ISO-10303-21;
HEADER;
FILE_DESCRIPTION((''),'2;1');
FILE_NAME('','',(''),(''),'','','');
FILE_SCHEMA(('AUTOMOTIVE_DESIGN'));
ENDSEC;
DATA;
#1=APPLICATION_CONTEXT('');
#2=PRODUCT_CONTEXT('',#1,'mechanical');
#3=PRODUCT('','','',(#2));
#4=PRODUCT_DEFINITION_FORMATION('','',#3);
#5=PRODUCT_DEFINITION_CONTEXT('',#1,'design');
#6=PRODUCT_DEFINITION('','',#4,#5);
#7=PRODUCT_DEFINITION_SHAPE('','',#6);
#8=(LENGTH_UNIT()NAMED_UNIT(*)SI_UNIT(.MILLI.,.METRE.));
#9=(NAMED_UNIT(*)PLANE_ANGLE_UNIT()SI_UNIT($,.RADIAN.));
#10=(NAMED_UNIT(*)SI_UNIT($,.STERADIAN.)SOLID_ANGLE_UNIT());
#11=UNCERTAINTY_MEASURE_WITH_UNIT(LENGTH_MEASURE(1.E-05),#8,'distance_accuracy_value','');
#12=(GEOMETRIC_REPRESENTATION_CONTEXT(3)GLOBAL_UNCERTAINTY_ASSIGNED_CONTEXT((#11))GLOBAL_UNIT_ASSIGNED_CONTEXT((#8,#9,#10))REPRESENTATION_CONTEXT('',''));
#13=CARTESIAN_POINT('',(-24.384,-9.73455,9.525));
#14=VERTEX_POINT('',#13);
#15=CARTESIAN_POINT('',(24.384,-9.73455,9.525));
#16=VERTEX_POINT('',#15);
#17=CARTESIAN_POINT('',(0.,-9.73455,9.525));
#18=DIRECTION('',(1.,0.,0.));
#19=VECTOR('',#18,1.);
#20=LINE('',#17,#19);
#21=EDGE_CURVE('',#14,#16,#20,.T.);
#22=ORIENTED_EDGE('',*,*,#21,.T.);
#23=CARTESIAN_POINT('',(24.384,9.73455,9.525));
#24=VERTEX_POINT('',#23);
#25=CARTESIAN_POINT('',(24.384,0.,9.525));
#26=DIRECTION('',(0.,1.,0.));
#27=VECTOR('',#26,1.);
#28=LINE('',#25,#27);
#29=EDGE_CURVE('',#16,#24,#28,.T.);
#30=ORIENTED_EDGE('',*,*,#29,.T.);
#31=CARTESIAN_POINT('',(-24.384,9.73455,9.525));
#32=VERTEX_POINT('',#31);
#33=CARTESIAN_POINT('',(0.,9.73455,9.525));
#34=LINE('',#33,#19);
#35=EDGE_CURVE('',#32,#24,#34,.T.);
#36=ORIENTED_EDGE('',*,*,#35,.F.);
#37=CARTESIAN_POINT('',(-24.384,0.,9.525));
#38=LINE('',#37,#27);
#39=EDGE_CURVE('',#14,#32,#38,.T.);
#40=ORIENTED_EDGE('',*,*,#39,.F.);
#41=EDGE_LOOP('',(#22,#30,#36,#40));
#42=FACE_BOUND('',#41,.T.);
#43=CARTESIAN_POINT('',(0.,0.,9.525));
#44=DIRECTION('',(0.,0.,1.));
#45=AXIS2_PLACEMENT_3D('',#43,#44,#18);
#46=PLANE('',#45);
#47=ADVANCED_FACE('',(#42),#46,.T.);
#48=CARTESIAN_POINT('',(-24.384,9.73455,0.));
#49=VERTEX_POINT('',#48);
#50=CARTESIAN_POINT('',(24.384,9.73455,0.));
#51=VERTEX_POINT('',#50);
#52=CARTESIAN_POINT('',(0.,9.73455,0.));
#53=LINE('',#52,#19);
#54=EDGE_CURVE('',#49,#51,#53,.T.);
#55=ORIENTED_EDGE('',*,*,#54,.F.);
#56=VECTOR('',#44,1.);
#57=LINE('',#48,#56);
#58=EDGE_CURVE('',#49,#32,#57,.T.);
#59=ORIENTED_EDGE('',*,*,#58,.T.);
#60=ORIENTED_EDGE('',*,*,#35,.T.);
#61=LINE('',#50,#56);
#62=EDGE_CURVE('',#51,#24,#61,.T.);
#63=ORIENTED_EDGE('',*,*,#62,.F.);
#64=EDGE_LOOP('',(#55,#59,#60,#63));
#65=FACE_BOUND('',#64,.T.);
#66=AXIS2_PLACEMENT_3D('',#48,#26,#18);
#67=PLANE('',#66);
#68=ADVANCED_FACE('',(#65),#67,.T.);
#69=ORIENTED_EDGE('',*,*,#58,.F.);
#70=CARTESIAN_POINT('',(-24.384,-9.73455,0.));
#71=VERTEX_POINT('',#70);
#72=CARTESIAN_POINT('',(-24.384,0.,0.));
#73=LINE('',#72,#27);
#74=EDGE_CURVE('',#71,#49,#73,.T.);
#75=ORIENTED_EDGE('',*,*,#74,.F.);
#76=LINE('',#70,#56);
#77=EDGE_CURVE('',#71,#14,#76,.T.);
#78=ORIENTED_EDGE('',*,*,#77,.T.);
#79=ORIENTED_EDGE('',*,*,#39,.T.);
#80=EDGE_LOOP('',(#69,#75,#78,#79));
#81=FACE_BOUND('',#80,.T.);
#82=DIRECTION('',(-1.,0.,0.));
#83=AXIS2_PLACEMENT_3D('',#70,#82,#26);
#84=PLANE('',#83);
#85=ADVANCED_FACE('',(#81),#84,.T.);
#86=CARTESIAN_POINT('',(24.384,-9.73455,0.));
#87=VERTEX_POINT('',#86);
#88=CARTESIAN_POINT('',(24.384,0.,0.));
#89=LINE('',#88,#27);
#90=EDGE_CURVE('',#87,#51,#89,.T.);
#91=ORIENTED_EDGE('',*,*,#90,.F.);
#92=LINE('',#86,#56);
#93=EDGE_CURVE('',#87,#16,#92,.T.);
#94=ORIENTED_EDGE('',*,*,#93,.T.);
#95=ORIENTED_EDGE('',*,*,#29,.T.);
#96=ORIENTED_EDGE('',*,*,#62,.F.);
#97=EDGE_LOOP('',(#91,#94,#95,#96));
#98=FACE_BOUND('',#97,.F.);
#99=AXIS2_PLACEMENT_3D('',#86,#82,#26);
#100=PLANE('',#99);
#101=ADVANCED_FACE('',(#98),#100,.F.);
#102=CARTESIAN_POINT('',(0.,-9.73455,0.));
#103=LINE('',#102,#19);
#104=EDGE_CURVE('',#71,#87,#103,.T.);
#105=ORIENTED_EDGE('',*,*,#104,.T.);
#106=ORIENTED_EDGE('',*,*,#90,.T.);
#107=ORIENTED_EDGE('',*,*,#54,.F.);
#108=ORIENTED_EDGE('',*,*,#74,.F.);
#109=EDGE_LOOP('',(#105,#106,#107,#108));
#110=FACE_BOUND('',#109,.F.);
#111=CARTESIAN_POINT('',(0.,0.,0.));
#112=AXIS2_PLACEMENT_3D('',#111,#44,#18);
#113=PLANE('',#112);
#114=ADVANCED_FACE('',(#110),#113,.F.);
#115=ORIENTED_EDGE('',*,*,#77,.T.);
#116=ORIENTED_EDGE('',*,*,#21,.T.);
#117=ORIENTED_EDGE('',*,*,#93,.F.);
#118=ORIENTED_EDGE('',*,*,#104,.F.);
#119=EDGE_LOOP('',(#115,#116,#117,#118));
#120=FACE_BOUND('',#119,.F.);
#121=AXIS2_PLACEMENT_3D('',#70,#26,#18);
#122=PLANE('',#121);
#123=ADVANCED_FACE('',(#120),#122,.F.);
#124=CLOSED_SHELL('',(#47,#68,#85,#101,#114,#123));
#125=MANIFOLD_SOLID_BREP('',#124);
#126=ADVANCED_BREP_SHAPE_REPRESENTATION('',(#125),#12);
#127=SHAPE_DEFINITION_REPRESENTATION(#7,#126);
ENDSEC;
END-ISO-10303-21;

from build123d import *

# Parameters (mm, degrees)
SKETCH_W  = 48.768
SKETCH_H  = 19.4691
PAD_DEPTH = 9.525


with BuildPart() as part:
    # Sketch → Pad (new body)
    with BuildSketch(Plane.XY):
        Rectangle(SKETCH_W, SKETCH_H)
    extrude(amount=PAD_DEPTH)


solid = part.part
